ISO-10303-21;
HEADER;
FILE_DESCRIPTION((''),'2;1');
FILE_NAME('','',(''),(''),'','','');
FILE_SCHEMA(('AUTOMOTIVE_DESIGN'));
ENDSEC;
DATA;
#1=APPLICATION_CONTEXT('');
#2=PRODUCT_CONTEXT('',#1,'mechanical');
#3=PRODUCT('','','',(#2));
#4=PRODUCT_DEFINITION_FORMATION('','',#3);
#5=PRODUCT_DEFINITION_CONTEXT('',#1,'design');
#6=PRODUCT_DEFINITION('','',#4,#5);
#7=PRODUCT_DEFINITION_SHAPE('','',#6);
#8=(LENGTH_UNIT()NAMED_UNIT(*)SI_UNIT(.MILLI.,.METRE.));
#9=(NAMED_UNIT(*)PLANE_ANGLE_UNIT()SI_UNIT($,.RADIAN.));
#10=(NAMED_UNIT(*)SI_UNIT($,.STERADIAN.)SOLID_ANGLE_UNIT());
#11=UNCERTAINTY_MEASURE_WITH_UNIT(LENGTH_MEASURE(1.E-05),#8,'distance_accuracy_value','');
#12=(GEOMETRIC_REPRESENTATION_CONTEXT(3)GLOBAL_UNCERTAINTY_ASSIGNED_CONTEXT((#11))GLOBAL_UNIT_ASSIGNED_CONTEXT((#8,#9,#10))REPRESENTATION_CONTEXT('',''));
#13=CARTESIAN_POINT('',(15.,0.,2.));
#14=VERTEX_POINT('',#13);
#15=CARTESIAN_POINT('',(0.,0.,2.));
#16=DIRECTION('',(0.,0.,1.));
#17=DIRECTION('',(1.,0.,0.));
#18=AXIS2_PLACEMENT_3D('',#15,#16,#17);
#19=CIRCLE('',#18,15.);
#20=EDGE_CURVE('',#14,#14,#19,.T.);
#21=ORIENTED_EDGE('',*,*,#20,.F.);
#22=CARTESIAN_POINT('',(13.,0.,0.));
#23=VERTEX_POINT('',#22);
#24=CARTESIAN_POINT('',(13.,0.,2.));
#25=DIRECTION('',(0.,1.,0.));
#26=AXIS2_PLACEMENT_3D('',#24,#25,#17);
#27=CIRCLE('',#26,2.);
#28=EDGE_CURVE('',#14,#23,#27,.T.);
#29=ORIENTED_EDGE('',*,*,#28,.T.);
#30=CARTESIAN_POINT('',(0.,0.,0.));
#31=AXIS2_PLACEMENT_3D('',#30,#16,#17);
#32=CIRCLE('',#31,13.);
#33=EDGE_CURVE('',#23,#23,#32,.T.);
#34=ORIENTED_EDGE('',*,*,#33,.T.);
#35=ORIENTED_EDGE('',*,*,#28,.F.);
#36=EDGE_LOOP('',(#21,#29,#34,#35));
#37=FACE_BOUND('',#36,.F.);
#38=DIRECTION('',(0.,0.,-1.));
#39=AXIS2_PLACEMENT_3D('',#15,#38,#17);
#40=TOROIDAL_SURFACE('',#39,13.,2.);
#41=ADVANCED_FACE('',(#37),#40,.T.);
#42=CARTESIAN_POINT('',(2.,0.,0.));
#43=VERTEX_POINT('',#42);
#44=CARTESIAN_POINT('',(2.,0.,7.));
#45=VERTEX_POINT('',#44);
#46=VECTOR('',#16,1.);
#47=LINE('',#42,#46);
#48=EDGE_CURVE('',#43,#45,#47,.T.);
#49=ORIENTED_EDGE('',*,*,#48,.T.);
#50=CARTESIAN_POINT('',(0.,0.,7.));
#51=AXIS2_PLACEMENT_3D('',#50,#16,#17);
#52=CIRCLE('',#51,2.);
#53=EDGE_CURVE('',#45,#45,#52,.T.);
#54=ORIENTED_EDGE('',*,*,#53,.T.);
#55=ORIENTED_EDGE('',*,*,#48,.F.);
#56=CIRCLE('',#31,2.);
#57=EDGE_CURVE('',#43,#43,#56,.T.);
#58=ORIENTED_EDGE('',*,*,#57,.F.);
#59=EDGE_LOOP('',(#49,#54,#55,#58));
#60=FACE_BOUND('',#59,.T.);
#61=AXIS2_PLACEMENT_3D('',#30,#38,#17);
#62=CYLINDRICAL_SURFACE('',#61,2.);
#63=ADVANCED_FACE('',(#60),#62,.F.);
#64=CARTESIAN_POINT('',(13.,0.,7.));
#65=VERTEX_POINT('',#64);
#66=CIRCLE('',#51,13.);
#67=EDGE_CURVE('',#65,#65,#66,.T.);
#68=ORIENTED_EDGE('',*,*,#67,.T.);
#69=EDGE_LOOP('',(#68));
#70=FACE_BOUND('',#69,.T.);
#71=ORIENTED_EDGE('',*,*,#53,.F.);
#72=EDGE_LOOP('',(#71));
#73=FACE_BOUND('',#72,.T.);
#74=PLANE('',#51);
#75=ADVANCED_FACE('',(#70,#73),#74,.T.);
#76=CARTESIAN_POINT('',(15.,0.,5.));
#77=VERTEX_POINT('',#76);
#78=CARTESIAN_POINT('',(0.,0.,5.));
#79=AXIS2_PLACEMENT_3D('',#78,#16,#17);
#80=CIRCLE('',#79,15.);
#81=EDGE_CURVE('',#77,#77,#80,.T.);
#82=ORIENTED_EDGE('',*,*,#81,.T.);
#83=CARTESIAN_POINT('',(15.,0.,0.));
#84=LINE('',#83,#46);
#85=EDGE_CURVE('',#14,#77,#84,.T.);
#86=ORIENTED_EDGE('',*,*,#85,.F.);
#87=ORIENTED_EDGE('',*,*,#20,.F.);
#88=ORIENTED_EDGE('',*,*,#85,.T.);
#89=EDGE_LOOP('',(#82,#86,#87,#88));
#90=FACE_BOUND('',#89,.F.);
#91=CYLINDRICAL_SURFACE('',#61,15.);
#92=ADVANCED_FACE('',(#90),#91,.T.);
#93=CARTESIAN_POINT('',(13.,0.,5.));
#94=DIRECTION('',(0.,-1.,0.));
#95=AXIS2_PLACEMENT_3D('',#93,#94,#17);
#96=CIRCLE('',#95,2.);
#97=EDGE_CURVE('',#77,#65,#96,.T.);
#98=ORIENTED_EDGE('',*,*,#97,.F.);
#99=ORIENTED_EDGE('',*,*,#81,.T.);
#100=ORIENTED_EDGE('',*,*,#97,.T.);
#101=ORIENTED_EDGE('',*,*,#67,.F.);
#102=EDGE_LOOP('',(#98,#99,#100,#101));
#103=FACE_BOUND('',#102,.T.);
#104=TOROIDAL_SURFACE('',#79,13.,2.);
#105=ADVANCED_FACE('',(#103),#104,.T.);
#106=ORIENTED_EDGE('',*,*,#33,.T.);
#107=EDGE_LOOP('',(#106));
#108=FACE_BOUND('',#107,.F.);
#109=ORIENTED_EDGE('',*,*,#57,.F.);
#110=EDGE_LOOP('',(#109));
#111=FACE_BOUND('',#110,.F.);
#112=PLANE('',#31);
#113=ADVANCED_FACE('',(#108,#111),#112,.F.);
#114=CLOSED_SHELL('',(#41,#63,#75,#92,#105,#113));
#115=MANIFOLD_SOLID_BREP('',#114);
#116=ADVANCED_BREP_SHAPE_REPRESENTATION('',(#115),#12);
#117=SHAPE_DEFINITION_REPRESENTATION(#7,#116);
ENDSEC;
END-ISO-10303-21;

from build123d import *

# Parameters (mm, degrees)
F0_R     = 15
F0_R_2   = 2
F1_DEPTH = 7
F2_R     = 2
F3_R     = 2


with BuildPart() as f1:
    # F0 (on Top) → F1 (new body)
    with BuildSketch(Plane.XY):
        Circle(F0_R)
        Circle(F0_R_2, mode=Mode.SUBTRACT)
    extrude(amount=F1_DEPTH)

    # F2
    f2_edges = [f1.edges().sort_by_distance(p)[0] for p in [
        (-15, 0, 7),
    ]]
    fillet(f2_edges, radius=F2_R)

    # F3
    f3_edges = [f1.edges().sort_by_distance(p)[0] for p in [
        (-15, 0, 0),
    ]]
    fillet(f3_edges, radius=F3_R)


solid = f1.part
